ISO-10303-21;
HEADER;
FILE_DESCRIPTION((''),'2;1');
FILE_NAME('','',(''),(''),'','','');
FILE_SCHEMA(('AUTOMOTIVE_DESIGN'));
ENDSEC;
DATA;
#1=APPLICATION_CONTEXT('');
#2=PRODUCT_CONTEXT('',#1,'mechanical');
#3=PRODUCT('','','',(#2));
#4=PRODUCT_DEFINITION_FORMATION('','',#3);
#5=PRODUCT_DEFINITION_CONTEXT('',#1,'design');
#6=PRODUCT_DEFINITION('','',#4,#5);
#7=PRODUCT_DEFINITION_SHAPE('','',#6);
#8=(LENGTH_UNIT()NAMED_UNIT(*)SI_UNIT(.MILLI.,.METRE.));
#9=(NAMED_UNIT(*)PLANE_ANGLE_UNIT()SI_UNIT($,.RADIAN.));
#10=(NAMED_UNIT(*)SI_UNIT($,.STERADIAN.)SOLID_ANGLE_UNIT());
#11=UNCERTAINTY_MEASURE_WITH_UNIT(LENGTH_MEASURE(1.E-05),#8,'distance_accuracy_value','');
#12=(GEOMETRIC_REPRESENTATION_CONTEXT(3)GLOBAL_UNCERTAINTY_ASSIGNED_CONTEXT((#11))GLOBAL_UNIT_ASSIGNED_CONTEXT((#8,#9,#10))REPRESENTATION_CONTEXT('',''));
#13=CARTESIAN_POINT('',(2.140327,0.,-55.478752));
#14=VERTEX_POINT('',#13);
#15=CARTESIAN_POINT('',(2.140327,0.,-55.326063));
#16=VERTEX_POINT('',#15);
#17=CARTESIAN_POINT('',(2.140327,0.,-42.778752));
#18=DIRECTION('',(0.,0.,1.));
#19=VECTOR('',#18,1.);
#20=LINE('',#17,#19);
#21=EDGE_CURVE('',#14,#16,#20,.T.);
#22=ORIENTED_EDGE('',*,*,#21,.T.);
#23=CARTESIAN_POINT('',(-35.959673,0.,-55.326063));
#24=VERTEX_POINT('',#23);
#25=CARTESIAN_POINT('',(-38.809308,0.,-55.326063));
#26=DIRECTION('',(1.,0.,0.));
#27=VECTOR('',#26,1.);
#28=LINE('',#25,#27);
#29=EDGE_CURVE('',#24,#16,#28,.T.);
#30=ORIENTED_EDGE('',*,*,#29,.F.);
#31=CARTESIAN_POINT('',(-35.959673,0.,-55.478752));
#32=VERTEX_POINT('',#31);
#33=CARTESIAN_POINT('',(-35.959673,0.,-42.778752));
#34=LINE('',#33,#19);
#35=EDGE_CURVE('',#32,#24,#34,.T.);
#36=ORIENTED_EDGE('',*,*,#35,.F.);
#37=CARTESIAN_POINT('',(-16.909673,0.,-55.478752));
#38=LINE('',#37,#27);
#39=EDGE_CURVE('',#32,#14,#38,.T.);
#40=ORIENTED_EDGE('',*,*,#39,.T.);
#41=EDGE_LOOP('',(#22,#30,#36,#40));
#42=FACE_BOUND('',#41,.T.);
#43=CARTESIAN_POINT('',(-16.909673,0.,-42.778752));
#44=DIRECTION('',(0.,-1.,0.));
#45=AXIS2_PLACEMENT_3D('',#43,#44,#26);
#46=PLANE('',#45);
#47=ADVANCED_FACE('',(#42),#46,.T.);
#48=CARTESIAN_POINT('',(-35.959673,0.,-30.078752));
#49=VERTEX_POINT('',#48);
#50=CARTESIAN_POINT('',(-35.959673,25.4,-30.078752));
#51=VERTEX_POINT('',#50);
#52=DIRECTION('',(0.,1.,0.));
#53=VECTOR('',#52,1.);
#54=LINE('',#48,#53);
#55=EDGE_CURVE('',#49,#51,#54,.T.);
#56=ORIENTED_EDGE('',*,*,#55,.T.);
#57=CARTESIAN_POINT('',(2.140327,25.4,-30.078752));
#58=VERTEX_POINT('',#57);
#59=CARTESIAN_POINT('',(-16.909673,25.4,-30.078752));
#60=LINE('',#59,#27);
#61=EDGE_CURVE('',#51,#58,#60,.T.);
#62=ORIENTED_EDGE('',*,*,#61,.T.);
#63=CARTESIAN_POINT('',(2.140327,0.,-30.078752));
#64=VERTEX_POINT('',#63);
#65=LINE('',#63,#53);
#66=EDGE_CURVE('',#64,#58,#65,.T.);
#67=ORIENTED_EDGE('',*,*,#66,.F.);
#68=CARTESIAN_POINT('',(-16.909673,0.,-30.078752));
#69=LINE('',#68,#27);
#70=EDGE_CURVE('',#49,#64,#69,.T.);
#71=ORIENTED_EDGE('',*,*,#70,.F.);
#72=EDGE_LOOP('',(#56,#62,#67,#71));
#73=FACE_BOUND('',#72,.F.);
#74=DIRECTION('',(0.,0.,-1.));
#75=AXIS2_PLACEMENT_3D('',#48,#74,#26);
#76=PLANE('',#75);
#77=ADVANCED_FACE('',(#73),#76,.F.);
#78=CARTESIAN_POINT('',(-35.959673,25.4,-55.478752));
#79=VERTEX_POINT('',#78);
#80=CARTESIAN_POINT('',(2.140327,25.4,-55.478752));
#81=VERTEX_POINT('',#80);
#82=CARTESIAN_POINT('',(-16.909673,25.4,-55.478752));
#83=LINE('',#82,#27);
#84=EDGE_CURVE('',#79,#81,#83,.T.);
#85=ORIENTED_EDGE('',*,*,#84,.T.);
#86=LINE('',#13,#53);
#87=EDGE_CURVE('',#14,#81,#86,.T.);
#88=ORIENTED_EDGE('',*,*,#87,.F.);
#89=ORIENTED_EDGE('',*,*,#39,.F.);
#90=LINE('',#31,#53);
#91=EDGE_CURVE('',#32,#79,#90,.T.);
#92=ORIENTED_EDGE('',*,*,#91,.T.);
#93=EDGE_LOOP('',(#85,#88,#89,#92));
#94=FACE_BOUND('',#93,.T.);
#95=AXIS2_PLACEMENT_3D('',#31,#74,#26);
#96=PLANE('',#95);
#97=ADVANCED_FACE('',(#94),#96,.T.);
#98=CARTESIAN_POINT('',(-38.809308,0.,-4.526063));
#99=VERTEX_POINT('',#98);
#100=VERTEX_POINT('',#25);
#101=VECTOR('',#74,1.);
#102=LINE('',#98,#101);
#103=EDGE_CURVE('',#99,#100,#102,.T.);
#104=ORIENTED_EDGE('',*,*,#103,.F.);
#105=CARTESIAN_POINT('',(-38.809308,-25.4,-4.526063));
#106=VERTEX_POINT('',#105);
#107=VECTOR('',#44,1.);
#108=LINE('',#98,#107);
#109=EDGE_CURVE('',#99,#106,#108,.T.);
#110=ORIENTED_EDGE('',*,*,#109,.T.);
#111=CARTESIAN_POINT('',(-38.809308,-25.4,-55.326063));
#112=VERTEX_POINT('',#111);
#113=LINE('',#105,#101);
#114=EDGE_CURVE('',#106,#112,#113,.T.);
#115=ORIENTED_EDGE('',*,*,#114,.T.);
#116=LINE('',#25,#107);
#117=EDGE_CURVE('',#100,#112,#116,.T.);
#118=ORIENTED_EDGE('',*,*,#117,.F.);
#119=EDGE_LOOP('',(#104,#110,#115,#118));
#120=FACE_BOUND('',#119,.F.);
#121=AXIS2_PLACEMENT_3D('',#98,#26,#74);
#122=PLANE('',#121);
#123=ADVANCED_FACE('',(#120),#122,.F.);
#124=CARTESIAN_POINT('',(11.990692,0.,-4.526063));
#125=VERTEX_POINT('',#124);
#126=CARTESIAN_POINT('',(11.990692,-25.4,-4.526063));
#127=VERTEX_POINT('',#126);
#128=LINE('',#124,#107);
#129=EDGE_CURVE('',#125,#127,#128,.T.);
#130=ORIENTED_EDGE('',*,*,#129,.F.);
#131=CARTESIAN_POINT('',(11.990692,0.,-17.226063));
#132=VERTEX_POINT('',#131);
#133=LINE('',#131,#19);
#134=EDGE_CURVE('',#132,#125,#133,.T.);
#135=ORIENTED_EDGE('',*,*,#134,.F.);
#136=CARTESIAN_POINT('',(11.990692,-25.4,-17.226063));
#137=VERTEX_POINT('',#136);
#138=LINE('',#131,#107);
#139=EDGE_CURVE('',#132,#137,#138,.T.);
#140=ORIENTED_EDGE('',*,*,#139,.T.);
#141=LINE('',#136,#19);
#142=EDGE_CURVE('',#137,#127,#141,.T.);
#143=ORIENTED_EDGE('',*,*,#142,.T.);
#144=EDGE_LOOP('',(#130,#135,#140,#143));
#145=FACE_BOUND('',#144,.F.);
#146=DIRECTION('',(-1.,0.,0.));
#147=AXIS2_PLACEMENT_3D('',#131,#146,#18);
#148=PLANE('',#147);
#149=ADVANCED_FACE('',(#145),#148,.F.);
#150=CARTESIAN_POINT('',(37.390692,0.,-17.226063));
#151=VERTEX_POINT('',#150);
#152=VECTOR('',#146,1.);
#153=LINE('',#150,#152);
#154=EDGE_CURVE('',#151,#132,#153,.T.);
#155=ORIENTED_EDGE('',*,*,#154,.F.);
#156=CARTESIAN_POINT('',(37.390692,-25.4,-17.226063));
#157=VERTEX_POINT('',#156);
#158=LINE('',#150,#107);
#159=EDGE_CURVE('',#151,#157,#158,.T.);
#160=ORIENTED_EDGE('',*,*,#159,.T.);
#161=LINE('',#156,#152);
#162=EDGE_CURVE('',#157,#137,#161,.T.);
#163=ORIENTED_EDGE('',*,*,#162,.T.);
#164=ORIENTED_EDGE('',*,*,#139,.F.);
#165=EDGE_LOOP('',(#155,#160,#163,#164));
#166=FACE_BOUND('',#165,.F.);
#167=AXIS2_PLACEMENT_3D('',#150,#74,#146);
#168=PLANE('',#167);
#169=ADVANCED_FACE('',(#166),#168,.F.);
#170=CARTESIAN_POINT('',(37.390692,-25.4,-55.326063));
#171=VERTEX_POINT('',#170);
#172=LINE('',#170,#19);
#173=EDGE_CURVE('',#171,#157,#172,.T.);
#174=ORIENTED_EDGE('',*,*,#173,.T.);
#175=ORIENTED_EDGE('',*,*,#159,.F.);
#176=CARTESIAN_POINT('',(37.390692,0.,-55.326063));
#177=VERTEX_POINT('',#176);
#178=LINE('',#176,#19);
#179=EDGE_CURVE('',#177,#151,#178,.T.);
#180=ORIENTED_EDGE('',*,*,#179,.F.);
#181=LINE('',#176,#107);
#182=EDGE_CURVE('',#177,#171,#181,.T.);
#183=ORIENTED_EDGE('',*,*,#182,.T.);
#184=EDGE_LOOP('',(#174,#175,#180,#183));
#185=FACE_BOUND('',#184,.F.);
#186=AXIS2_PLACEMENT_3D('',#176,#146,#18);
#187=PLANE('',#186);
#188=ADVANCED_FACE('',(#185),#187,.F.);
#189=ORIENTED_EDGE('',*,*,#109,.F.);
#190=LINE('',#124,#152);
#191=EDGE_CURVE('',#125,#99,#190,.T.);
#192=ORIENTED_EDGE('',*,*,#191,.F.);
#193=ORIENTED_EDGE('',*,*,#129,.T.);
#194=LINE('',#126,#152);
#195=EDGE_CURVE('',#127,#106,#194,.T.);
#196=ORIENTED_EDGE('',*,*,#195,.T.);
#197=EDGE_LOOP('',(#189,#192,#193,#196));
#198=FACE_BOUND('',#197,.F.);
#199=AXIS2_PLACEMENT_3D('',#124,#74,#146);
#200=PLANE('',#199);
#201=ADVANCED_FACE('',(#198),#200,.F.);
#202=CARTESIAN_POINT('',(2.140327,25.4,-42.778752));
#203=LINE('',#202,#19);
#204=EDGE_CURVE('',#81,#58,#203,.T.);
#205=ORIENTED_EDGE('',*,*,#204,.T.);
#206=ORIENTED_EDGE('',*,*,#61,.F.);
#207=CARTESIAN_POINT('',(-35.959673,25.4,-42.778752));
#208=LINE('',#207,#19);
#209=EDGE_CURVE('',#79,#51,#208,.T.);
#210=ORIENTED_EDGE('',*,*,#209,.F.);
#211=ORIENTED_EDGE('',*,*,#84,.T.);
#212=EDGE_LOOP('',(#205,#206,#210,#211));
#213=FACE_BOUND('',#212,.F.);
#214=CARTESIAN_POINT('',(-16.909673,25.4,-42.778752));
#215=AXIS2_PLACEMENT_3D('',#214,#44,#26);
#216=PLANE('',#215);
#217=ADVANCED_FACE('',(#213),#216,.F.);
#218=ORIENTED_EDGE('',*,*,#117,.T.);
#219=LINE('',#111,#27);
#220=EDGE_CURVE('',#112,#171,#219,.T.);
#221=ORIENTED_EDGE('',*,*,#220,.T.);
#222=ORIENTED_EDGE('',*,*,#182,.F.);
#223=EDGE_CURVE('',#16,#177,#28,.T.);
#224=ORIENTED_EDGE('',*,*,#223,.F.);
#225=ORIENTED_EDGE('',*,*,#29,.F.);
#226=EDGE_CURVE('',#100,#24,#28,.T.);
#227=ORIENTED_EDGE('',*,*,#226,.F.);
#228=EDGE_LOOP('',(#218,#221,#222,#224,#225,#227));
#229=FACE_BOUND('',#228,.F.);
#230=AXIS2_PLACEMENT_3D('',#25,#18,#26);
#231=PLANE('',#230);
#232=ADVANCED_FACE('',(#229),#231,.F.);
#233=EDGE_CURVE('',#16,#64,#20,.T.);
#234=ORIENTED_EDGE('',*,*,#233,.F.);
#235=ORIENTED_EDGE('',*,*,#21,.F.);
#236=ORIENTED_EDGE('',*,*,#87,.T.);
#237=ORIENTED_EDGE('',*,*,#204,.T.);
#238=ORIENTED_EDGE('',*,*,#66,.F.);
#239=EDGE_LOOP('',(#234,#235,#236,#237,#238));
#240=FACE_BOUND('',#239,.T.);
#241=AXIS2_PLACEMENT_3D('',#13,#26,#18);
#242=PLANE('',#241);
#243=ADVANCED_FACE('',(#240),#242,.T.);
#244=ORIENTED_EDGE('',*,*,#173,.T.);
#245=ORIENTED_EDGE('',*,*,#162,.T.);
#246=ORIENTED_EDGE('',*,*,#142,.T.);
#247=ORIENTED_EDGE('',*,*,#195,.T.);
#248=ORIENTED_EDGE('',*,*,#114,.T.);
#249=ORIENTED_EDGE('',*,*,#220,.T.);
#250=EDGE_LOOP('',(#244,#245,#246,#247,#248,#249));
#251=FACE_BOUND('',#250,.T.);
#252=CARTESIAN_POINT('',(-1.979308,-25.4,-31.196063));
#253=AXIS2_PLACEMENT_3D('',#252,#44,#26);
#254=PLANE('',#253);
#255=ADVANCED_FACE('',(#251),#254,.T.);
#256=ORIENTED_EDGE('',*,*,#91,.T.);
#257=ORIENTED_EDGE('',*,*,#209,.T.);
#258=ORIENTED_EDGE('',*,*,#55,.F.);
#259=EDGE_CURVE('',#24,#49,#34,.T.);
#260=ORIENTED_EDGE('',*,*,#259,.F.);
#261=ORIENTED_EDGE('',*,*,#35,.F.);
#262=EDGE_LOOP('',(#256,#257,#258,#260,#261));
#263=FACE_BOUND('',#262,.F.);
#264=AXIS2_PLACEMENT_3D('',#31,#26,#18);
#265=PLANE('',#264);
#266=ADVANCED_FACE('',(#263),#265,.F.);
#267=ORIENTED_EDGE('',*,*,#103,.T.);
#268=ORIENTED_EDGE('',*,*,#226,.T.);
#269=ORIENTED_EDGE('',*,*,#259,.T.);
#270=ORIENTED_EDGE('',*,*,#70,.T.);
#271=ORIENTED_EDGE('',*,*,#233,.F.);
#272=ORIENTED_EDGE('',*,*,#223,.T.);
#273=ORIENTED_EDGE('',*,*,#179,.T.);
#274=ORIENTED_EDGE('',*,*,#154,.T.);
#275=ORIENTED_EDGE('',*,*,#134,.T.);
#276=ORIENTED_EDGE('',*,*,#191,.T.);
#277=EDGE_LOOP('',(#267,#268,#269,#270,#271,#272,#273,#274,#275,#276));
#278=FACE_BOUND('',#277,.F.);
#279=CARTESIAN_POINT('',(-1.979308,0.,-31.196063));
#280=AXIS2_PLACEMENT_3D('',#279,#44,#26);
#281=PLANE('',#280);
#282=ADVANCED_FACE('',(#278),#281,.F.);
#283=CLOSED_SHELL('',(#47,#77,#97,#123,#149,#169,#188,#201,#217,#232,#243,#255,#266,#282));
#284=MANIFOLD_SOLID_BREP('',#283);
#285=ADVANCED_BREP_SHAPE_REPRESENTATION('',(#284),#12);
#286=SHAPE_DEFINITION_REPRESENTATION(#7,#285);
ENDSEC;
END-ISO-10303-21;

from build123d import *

# Parameters (mm, degrees)
F1_DEPTH = 25.4
F2_W     = 38.1
F2_H     = 25.4
F3_DEPTH = 25.4


with BuildPart() as f1:
    # F0 (on Front) → F1 (new body)
    with BuildSketch(Plane.XZ):
        Polygon((-38.809308, -4.526063), (-38.809308, -55.326063), (37.390692, -55.326063), (37.390692, -17.226063), (11.990692, -17.226063), (11.990692, -4.526063), align=None)
    extrude(amount=F1_DEPTH)

    # F2 (on Front) + F1_face (on face) → F3 (join)
    with BuildSketch(Plane.XZ):
        with Locations((-16.909673, -42.778752)):
            Rectangle(F2_W, F2_H)
    with BuildSketch(Plane(origin=(-3.018399, -25.4, -31.657881), x_dir=(1, 0, 0), z_dir=(0, -1, 0))):
        Polygon((15.009091, 27.131818), (-35.790909, 27.131818), (-35.790909, -23.668182), (40.409091, -23.668182), (40.409091, 14.431818), (15.009091, 14.431818), align=None)
    extrude(amount=-F3_DEPTH)


solid = f1.part
